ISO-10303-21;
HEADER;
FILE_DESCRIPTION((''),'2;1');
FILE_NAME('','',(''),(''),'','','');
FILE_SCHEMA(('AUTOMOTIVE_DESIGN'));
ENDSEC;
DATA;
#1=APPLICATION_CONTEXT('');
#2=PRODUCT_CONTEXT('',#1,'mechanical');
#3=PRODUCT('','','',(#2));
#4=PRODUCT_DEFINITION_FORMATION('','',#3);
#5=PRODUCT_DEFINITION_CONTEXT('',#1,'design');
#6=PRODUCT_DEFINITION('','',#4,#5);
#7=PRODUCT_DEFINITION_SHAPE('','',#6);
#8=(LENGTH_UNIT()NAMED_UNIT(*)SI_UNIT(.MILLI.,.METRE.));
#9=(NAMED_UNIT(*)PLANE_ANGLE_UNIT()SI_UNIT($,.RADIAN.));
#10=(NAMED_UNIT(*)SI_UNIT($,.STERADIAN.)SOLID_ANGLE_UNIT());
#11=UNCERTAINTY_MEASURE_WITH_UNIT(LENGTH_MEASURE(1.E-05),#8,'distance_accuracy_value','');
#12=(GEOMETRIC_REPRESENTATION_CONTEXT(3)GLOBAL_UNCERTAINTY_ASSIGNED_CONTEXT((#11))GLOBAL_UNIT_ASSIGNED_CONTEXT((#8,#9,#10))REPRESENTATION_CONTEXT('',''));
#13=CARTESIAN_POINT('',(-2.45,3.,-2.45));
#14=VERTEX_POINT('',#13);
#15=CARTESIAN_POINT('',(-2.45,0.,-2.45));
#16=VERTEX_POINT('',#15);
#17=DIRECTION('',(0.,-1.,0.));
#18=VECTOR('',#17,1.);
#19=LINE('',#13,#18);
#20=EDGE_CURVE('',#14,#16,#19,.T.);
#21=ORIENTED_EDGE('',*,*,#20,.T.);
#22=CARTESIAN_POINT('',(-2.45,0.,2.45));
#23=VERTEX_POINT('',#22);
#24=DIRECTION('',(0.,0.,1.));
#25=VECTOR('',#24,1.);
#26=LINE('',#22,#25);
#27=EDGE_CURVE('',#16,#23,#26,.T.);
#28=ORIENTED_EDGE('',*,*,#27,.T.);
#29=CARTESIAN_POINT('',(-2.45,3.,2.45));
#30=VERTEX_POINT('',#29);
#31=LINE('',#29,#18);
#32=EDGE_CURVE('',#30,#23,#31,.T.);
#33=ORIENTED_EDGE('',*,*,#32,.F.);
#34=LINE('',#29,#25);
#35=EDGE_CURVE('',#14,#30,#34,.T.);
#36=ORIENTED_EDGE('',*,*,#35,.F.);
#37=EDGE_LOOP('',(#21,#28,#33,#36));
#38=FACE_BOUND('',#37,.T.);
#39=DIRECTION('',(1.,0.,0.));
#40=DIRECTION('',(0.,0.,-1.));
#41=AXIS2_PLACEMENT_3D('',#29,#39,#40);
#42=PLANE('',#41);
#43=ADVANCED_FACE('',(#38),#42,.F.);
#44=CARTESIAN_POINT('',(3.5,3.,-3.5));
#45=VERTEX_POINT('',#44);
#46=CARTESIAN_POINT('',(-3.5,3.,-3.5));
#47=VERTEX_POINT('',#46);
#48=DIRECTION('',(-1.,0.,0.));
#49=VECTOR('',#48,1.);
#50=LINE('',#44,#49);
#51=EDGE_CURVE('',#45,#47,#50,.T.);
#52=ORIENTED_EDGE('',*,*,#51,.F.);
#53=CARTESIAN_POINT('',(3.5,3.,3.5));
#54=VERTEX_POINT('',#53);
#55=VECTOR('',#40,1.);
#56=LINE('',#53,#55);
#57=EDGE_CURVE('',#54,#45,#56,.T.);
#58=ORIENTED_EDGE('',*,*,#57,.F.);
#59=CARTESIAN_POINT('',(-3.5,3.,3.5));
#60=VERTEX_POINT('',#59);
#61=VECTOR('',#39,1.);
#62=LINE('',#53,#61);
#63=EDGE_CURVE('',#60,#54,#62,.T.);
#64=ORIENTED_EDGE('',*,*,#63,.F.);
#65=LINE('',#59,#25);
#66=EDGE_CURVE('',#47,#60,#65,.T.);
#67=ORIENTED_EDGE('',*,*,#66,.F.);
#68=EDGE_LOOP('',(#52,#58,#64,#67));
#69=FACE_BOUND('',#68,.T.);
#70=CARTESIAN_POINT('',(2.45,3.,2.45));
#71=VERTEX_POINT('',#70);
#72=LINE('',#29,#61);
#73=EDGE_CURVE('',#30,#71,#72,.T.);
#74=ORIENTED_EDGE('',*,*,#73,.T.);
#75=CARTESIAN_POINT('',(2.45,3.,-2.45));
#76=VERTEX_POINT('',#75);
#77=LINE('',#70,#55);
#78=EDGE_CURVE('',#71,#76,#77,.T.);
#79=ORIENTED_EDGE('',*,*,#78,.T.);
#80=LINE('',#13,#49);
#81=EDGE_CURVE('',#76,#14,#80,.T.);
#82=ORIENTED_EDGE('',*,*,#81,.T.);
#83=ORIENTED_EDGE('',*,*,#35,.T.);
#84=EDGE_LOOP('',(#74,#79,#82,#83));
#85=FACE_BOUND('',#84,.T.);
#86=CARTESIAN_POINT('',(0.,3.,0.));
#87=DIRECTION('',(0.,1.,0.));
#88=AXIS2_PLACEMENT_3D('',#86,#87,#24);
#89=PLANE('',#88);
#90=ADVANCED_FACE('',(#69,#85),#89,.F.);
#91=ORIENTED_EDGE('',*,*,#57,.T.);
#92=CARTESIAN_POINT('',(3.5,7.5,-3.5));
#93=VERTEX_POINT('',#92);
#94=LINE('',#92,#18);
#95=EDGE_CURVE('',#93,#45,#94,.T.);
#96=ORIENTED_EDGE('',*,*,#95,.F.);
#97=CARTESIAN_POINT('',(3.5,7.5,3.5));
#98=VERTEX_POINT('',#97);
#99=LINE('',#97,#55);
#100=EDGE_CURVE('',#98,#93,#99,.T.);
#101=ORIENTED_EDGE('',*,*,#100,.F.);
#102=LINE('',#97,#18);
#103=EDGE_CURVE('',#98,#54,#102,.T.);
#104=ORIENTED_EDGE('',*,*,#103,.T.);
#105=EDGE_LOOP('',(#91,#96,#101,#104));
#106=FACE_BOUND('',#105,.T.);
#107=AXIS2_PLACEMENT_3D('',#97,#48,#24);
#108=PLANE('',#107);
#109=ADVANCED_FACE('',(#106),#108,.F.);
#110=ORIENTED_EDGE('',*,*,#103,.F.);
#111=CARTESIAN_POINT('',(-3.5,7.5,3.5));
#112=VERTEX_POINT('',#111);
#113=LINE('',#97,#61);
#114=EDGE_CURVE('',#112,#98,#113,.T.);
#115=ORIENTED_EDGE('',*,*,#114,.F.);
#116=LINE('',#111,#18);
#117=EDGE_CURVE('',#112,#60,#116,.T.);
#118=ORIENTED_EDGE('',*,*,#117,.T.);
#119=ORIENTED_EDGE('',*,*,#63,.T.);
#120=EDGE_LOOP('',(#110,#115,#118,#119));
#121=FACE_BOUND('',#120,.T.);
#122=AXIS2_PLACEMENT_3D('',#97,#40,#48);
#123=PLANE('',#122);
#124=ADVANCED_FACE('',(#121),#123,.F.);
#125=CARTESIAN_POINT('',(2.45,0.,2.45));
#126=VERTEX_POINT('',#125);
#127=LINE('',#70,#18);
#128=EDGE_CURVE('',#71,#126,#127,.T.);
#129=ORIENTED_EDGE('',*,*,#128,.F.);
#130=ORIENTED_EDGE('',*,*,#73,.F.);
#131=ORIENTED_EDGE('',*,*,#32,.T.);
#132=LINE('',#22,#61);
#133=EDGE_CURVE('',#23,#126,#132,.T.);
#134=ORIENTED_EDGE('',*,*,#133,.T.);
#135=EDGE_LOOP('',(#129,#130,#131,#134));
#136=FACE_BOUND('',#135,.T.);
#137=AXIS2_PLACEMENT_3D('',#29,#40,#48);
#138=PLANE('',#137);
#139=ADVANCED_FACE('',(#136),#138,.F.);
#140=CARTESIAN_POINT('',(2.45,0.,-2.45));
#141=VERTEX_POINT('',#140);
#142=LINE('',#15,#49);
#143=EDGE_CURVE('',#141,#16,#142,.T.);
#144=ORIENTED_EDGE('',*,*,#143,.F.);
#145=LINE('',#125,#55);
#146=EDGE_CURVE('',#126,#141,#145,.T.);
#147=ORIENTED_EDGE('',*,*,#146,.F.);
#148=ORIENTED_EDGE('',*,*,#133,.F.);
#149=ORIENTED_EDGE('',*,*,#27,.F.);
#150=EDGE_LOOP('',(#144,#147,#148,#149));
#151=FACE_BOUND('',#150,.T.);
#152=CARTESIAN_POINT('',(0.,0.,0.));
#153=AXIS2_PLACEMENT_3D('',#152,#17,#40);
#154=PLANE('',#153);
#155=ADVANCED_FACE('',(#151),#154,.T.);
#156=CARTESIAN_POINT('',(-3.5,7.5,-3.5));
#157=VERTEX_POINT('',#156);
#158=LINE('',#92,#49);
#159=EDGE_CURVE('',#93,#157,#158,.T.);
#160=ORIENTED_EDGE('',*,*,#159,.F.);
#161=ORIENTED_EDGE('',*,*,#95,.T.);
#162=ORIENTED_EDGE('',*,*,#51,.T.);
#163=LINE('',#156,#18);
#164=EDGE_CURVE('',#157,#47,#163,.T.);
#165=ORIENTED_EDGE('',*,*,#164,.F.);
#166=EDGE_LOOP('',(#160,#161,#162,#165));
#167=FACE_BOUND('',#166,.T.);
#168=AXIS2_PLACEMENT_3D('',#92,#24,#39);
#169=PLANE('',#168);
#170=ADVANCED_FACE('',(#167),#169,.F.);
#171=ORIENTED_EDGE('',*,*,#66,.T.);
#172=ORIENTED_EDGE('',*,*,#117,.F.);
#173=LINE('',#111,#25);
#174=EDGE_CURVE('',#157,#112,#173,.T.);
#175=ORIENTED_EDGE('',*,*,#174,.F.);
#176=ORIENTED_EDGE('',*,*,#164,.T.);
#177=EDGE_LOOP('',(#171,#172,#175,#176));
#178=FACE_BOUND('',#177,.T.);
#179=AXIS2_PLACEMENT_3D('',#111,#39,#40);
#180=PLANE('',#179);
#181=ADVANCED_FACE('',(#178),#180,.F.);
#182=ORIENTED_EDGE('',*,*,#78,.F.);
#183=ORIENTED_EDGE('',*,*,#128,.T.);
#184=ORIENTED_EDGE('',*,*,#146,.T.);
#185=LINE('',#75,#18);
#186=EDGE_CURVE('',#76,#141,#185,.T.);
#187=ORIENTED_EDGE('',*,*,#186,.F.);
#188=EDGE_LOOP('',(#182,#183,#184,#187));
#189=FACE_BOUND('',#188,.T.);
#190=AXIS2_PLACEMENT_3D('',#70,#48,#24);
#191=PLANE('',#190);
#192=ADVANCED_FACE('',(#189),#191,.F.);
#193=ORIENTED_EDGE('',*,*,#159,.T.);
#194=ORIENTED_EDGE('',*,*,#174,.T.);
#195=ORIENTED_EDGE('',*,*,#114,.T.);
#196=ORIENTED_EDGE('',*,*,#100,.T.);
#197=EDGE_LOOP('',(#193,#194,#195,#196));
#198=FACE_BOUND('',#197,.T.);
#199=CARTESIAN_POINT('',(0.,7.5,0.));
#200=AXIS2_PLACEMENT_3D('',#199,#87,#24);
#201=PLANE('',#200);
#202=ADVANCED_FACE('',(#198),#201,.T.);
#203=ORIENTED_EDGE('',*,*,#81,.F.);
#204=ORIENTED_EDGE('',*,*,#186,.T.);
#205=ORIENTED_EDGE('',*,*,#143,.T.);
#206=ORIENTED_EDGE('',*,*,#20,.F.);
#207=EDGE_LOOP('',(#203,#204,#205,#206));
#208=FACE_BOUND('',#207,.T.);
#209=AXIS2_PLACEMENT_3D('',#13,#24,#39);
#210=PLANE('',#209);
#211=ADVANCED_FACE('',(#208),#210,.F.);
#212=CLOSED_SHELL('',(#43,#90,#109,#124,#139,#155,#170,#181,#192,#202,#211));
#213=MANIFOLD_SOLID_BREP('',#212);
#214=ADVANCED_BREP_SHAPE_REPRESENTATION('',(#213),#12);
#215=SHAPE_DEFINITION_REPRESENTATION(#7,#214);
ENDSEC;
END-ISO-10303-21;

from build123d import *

# Parameters (mm, degrees)
CROQUIS1_W              = 4.9
CROQUIS1_H              = 4.9
SALIENTE_EXTRUIR1_DEPTH = 3
CROQUIS2_W              = 7
CROQUIS2_H              = 7
SALIENTE_EXTRUIR2_DEPTH = 4.5


with BuildPart() as part:
    # Croquis1 → Saliente-Extruir1 (new body)
    with BuildSketch(Plane(origin=(0, 0, 0), x_dir=(1, 0, 0), z_dir=(0, 1, 0))):
        Rectangle(CROQUIS1_W, CROQUIS1_H)
    extrude(amount=SALIENTE_EXTRUIR1_DEPTH)

    # Croquis2 → Saliente-Extruir2 (add)
    with BuildSketch(Plane(origin=(0, 3, 0), x_dir=(1, 0, 0), z_dir=(0, 1, 0))):
        Rectangle(CROQUIS2_W, CROQUIS2_H)
    extrude(amount=SALIENTE_EXTRUIR2_DEPTH)


solid = part.part
